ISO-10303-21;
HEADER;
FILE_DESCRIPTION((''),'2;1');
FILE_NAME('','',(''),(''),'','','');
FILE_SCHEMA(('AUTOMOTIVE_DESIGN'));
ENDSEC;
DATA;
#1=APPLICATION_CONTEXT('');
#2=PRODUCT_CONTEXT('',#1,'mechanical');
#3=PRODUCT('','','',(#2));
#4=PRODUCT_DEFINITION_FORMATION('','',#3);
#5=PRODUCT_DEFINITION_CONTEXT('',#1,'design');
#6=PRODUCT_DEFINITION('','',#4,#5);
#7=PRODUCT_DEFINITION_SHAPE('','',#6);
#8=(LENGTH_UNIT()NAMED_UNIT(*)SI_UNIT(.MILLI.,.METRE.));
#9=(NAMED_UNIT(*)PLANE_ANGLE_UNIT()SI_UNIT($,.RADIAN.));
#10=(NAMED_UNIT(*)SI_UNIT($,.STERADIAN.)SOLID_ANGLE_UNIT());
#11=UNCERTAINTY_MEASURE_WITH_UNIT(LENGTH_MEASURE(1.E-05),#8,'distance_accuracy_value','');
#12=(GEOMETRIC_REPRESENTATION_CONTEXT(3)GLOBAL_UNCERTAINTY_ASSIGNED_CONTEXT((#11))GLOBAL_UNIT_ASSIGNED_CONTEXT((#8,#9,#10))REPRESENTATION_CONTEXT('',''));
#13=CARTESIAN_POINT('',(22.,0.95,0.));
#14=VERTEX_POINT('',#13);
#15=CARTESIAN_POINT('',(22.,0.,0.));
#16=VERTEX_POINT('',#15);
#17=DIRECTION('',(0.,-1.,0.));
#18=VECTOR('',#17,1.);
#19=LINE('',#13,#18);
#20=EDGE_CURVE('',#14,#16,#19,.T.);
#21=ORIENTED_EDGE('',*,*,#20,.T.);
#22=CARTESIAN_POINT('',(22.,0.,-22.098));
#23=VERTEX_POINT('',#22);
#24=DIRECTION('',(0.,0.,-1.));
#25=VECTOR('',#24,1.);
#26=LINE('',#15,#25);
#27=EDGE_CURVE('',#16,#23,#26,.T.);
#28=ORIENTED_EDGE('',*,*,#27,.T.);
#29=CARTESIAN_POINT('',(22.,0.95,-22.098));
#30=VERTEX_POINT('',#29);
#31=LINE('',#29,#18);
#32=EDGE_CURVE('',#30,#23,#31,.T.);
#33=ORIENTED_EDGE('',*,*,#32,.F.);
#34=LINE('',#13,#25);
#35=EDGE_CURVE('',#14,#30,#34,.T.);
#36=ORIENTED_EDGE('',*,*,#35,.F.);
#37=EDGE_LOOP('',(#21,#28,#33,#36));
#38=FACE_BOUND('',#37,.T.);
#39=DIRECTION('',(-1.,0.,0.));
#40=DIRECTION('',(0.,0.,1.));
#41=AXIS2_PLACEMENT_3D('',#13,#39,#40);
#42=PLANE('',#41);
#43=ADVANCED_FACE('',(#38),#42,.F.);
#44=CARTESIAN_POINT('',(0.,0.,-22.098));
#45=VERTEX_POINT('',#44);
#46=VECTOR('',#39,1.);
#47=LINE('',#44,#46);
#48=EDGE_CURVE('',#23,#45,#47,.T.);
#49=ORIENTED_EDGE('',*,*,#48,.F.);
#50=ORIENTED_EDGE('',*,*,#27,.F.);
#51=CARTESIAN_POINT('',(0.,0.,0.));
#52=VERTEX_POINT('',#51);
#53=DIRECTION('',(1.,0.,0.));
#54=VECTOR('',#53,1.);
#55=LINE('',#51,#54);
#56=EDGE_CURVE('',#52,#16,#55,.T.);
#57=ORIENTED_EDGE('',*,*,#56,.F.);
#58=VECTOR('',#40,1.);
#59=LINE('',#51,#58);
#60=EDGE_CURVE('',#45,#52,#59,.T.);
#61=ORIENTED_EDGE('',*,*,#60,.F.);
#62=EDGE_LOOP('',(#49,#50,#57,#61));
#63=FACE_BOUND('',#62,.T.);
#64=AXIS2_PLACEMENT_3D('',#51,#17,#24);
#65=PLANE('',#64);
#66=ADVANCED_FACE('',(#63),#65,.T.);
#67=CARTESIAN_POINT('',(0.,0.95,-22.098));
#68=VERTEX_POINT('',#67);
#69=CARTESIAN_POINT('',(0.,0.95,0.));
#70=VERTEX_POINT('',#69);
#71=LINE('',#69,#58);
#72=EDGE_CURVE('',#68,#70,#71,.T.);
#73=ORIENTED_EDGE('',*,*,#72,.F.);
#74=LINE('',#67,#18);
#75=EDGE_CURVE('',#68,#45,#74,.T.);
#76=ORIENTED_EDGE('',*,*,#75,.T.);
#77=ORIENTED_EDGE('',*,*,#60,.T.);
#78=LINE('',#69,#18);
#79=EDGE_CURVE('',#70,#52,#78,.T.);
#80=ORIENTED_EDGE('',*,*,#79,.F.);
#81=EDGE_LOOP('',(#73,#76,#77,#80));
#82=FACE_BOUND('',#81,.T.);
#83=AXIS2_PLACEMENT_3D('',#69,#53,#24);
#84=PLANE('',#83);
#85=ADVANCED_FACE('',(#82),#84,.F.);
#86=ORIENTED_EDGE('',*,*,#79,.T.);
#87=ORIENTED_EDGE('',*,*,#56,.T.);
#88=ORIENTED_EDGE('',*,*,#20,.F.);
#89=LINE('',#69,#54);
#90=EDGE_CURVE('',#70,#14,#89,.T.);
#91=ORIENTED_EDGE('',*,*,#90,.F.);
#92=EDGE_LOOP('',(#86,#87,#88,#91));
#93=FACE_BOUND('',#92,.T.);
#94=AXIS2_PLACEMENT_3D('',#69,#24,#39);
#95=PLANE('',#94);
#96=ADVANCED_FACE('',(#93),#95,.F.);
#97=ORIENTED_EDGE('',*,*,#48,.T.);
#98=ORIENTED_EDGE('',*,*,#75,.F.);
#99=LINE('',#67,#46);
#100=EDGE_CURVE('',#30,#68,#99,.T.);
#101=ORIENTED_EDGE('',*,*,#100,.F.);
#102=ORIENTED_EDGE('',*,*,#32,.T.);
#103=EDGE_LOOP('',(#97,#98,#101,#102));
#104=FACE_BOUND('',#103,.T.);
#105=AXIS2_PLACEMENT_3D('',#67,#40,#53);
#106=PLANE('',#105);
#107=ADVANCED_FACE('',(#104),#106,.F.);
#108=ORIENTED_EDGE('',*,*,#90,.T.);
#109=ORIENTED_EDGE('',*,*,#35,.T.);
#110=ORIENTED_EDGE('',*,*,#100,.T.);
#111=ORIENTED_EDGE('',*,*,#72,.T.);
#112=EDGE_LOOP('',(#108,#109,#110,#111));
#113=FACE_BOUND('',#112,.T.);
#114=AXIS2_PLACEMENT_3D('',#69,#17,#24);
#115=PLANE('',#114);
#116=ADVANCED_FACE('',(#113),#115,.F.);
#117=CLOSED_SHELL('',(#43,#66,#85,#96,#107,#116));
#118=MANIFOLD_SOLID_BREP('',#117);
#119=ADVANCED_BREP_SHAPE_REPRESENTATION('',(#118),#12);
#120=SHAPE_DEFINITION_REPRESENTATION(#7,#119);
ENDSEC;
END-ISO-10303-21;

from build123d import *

# Parameters (mm, degrees)
SKETCH1_W           = 22
SKETCH1_H           = 22.098
BOSS_EXTRUDE1_DEPTH = 0.95


with BuildPart() as part:
    # Sketch1 → Boss-Extrude1 (new body)
    with BuildSketch(Plane(origin=(0, 0, 0), x_dir=(1, 0, 0), z_dir=(0, 1, 0))):
        with Locations((11, 11.049)):
            Rectangle(SKETCH1_W, SKETCH1_H)
    extrude(amount=BOSS_EXTRUDE1_DEPTH)


solid = part.part
